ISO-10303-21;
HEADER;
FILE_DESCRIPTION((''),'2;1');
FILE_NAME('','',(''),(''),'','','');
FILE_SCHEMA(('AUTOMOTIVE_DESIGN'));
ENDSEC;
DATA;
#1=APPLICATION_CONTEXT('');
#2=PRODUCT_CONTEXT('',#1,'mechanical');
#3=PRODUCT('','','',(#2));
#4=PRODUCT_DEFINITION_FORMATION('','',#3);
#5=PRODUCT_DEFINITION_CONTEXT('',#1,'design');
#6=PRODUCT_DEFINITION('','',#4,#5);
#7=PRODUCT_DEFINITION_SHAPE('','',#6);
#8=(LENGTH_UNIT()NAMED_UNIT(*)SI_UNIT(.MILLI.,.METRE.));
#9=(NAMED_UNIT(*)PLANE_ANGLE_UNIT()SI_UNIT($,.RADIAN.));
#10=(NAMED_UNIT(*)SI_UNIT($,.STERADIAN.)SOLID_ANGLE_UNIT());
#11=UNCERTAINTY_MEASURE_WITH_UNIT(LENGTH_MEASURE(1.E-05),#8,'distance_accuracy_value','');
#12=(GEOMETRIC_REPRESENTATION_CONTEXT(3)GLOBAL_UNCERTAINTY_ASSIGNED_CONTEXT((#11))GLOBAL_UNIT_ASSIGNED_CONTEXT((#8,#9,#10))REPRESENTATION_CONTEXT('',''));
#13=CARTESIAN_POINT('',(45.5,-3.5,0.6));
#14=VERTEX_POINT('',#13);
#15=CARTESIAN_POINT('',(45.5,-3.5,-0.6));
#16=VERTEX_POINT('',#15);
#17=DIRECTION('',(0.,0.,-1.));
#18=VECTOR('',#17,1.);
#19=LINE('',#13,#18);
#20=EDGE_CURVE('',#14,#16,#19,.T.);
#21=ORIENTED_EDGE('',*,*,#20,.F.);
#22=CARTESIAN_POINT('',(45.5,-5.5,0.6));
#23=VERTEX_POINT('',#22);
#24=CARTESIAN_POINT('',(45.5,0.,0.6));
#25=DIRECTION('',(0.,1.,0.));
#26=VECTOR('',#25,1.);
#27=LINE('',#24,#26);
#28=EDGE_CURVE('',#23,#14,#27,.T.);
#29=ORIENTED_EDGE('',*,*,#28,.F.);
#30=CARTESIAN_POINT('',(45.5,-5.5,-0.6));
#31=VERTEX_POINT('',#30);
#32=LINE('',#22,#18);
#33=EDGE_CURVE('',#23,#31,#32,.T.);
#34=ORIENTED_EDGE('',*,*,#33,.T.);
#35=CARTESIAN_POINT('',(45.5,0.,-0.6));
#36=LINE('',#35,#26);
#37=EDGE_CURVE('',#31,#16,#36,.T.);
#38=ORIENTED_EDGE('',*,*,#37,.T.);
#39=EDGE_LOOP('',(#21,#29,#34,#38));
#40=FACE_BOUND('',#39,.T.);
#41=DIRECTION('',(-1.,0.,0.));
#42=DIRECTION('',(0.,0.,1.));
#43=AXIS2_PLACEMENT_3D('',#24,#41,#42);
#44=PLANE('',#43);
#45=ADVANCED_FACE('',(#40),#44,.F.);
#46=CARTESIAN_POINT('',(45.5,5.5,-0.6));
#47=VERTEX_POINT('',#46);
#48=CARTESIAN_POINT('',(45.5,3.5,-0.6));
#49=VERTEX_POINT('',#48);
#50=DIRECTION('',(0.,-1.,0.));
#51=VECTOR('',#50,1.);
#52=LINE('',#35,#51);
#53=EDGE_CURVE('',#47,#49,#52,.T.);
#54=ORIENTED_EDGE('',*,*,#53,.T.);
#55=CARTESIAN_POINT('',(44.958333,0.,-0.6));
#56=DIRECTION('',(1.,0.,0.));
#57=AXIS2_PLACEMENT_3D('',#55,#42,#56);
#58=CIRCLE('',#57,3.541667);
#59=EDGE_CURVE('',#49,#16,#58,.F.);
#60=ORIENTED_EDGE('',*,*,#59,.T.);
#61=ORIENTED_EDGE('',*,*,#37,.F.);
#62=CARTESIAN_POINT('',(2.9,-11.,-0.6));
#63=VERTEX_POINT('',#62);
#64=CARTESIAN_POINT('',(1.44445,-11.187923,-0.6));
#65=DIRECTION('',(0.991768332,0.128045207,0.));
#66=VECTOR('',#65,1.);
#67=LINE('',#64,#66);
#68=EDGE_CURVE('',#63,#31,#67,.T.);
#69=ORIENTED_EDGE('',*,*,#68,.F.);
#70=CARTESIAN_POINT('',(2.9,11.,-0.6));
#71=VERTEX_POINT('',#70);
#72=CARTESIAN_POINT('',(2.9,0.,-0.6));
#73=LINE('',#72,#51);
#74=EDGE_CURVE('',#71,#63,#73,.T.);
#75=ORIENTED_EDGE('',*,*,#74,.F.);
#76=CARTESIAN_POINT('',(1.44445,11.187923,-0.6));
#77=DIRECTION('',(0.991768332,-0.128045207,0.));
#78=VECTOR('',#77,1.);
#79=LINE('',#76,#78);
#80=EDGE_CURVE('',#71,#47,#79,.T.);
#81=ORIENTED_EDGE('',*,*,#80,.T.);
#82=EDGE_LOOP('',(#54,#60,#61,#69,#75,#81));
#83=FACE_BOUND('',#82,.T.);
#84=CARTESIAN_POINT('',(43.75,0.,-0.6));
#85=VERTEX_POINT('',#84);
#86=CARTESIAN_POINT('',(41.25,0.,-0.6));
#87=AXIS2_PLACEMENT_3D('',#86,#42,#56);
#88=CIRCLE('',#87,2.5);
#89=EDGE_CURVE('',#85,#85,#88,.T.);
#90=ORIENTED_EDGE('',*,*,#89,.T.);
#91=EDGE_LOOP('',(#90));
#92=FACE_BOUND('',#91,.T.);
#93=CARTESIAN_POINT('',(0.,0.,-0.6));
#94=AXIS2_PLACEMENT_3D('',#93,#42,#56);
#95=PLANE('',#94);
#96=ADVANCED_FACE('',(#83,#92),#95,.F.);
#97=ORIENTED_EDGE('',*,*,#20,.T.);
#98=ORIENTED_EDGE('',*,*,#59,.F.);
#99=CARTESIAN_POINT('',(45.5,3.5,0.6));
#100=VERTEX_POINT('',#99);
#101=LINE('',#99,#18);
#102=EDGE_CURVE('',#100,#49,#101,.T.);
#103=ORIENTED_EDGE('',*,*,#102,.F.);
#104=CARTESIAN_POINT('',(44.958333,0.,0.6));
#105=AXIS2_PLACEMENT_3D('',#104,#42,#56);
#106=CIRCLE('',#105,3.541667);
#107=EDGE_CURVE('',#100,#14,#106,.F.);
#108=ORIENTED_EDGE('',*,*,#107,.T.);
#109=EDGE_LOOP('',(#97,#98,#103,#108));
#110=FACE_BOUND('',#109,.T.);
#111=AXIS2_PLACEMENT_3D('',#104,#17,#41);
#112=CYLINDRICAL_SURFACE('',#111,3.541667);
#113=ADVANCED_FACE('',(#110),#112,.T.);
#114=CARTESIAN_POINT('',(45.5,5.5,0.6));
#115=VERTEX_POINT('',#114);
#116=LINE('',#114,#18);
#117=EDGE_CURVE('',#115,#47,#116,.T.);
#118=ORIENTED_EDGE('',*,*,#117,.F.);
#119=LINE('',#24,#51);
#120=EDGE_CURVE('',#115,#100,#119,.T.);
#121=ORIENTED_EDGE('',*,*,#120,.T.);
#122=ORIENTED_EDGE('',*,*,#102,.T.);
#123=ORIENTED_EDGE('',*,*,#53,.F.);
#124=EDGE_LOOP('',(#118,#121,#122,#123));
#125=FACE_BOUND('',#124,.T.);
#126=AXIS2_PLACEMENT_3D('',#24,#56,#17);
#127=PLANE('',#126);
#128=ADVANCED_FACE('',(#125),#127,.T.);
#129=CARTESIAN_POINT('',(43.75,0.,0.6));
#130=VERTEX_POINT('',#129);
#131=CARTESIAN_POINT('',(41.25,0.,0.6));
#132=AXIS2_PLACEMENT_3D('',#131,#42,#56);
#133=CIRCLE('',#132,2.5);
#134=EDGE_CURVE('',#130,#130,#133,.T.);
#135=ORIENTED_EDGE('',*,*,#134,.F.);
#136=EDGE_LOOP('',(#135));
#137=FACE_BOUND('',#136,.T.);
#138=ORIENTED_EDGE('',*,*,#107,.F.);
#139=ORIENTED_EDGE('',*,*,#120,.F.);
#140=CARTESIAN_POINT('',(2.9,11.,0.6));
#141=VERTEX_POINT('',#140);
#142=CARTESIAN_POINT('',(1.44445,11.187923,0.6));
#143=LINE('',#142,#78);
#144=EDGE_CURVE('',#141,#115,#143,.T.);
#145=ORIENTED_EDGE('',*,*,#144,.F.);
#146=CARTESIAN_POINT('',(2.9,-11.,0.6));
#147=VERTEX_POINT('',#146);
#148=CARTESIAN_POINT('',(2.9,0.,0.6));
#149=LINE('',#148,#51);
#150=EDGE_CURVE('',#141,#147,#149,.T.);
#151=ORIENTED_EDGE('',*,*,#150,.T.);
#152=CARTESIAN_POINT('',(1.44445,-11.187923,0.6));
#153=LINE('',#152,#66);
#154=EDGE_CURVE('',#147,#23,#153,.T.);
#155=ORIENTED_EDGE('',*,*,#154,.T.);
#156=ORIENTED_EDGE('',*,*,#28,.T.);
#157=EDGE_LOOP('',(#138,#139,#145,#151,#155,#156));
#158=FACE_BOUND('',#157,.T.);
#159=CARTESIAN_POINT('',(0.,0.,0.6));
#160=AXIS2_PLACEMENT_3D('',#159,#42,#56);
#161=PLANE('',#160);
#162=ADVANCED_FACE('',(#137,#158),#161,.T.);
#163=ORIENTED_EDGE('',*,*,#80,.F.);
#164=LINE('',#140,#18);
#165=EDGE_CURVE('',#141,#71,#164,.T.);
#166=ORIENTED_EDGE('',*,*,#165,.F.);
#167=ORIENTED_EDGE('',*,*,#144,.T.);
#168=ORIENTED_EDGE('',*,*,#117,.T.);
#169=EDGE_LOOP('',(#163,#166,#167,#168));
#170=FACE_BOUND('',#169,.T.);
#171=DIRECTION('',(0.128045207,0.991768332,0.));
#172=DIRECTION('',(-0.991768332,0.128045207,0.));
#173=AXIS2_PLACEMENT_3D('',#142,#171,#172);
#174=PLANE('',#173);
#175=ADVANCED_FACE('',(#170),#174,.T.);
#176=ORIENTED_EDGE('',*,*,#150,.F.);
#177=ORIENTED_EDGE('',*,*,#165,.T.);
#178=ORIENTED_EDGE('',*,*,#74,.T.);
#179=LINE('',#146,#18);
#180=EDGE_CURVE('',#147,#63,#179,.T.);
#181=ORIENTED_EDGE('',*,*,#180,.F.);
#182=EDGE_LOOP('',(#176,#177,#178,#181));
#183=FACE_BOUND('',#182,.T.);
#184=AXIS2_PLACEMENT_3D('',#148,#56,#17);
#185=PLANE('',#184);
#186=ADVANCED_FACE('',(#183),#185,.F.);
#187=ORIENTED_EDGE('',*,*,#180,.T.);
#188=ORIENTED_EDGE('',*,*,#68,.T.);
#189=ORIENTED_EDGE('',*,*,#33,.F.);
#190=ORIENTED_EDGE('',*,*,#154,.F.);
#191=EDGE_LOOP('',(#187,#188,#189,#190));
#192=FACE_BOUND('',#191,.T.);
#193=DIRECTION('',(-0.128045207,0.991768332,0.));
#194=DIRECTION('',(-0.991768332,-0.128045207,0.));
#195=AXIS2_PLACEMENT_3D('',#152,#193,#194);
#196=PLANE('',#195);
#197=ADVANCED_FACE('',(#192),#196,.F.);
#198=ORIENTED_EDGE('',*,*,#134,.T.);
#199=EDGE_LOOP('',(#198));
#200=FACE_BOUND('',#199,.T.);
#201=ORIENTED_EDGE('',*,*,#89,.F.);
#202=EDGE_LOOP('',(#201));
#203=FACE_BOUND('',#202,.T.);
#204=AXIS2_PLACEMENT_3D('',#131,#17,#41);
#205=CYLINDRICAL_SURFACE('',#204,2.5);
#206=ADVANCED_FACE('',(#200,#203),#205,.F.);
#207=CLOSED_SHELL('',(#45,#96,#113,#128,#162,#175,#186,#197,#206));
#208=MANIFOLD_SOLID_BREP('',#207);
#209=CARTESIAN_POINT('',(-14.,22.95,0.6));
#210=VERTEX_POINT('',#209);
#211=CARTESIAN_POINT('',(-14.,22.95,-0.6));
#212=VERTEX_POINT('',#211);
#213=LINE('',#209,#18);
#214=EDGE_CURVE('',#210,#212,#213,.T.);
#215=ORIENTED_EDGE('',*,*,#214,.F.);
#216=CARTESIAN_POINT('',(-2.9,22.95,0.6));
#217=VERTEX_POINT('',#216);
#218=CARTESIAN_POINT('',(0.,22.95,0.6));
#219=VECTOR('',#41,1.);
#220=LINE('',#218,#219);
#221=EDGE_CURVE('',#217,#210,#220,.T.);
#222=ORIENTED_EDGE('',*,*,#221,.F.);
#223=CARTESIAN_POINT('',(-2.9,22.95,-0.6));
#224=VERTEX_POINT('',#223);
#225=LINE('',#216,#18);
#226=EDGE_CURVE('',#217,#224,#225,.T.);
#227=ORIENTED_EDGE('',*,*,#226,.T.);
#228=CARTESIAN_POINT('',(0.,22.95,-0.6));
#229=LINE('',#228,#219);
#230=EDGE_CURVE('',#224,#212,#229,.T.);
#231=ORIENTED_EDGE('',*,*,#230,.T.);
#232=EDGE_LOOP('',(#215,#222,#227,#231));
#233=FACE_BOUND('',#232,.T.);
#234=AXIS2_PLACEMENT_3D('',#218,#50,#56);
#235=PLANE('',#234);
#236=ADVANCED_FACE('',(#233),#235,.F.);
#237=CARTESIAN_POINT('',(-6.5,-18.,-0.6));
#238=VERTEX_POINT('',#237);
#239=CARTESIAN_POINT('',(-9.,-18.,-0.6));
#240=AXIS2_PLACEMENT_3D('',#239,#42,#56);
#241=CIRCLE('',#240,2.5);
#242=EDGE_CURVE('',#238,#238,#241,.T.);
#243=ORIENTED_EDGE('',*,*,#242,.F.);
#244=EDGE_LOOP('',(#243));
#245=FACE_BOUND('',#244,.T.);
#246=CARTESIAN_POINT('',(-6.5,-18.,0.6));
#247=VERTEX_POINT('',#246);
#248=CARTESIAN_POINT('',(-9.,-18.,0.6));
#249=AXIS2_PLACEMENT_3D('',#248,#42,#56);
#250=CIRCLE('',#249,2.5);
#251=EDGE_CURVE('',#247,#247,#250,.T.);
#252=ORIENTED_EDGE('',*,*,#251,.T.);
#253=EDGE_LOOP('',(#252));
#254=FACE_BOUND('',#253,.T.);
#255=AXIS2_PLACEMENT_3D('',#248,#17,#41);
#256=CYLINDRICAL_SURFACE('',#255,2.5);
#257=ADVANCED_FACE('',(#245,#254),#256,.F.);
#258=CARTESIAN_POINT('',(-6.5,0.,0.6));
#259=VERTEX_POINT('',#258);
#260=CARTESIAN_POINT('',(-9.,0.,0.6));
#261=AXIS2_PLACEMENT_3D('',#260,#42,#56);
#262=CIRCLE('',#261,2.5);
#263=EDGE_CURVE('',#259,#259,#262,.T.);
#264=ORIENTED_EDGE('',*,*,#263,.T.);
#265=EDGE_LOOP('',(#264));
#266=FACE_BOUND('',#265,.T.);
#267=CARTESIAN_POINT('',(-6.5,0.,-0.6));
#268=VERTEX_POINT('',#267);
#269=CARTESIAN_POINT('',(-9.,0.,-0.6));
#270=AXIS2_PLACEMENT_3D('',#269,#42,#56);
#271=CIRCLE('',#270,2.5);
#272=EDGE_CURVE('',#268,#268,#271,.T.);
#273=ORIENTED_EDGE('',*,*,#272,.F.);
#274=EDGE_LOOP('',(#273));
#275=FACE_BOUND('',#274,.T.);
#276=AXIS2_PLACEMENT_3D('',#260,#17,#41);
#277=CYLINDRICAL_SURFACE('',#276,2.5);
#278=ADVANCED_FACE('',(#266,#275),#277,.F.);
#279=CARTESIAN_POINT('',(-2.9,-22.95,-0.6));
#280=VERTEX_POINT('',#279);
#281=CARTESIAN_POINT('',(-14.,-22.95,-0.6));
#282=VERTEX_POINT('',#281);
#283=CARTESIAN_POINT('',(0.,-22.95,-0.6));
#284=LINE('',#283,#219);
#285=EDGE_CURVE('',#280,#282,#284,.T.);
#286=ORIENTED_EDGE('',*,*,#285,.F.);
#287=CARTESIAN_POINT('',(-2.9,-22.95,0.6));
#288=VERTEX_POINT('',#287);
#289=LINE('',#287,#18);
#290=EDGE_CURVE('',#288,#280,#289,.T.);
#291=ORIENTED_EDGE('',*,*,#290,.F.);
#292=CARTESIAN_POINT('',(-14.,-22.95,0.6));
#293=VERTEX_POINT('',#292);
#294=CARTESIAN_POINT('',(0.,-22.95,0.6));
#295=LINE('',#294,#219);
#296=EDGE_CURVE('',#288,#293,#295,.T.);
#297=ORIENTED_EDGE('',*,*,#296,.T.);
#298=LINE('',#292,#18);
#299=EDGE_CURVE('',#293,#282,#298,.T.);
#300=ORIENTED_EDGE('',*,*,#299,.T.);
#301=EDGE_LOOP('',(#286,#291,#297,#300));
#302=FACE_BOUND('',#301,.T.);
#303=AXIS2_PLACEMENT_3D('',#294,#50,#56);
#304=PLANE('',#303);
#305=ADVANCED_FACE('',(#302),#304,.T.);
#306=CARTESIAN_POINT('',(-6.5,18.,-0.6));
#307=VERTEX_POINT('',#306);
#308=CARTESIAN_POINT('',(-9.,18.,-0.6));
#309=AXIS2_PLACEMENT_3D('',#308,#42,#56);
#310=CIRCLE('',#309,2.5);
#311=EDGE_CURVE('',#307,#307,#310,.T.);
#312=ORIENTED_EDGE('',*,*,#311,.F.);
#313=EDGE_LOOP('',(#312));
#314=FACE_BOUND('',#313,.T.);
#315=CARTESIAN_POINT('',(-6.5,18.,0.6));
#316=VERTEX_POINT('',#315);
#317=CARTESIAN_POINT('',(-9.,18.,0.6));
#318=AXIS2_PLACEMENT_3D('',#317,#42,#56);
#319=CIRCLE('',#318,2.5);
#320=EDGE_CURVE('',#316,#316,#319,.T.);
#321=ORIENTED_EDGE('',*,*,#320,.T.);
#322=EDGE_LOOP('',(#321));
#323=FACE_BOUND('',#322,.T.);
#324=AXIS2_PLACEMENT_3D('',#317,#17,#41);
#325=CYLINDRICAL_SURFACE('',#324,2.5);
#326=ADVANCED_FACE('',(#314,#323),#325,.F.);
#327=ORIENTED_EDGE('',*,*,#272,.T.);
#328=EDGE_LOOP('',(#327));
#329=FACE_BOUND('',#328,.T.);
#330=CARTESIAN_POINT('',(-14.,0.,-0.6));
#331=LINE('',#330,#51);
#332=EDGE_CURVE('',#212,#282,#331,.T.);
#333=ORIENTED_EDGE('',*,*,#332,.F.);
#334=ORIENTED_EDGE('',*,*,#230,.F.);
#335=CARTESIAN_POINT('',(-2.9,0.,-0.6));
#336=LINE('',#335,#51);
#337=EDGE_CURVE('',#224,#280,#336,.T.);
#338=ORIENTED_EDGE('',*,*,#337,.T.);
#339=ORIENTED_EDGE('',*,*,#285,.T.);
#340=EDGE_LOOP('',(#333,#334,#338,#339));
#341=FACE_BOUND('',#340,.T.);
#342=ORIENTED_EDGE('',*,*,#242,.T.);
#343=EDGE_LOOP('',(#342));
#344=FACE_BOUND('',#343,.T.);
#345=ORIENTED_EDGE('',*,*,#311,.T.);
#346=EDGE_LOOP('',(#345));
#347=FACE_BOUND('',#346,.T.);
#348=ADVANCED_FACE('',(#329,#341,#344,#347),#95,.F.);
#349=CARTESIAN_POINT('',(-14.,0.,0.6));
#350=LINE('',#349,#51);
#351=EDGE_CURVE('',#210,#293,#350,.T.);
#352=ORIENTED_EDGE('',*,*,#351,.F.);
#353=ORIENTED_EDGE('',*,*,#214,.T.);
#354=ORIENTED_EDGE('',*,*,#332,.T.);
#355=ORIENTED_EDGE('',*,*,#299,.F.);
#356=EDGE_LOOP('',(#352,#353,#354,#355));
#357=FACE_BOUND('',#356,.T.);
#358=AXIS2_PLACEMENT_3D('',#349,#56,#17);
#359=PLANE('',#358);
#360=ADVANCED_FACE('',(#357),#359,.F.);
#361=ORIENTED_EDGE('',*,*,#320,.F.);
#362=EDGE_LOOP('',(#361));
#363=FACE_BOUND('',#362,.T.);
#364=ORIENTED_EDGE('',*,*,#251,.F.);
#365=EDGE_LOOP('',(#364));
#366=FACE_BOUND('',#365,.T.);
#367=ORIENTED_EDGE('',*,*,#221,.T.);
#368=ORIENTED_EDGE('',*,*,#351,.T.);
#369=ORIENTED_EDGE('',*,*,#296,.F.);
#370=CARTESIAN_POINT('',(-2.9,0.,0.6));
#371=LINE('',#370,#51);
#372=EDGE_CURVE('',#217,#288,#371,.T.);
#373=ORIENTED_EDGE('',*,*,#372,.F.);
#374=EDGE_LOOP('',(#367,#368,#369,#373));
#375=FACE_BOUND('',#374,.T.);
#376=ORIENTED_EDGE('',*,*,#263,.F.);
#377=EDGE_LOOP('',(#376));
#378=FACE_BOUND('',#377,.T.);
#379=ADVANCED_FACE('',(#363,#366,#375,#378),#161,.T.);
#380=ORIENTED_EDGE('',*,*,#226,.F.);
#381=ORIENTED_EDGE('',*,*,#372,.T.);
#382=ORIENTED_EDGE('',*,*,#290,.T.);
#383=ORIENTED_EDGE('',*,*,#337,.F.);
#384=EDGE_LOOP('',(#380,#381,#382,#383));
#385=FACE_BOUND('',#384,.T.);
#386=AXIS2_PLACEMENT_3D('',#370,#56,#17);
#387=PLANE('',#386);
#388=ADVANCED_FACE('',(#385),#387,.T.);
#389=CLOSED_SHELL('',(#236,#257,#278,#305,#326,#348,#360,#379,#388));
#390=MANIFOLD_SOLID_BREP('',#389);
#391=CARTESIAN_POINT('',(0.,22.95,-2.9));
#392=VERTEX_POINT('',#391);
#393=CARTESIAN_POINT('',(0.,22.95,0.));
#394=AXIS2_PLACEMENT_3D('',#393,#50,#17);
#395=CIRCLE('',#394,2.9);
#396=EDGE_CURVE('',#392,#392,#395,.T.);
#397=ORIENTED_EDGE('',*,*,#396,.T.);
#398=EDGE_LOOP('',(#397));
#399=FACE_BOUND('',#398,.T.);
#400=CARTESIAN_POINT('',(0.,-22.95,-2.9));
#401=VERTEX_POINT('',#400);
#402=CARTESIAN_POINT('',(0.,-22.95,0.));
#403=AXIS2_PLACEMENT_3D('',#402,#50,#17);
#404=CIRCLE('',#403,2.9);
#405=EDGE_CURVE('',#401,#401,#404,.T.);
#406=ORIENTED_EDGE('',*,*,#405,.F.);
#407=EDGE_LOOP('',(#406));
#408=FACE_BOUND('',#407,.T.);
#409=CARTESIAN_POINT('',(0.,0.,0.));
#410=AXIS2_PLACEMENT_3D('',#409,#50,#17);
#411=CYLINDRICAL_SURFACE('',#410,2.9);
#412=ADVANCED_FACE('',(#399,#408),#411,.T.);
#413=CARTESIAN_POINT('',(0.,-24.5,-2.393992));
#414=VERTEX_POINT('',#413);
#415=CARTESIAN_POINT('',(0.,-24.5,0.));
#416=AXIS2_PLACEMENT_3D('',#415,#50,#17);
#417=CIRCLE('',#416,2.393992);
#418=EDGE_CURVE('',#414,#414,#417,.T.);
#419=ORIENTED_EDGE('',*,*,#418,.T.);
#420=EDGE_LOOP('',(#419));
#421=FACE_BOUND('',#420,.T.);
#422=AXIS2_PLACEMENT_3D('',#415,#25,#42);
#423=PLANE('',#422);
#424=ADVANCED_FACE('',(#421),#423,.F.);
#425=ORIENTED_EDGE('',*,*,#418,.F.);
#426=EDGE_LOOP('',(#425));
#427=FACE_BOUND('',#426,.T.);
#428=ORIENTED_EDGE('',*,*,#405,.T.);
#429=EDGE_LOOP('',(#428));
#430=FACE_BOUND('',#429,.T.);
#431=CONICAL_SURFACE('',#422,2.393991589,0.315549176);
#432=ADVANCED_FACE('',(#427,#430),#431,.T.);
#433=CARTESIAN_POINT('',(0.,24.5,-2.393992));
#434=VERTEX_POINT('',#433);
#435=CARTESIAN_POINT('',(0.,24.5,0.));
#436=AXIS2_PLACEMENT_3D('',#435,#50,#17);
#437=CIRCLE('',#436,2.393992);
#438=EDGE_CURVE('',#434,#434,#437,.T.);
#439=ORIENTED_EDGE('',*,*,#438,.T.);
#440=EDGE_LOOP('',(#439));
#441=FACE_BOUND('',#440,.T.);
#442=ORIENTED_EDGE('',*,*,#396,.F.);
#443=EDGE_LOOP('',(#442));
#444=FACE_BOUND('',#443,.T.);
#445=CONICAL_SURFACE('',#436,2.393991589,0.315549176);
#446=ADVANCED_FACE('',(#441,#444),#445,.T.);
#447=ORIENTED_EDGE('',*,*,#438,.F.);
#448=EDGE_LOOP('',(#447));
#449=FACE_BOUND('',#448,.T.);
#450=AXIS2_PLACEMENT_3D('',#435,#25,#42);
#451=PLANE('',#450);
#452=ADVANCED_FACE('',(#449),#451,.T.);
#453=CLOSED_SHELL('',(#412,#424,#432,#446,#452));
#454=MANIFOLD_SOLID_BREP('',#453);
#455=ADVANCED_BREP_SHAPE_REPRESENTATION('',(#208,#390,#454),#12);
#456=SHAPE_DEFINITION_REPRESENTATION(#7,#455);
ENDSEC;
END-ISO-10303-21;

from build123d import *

# Parameters (mm, degrees)
SKETCH1_R             = 2.5
BOSS_EXTRUDE1_DEPTH   = 0.6
SKETCH1_W             = 11.1
SKETCH1_H             = 45.9
BOSS_EXTRUDE1_2_DEPTH = 0.6


with BuildPart() as part:
    # Sketch1 → Boss-Extrude1 (new, symmetric)
    with BuildSketch(Plane.XY):
        with BuildLine():
            Line((45.5, 5.5), (2.9, 11))
            Line((2.9, 11), (2.9, -11))
            Line((2.9, -11), (45.5, -5.5))
            Line((45.5, -5.5), (45.5, -3.5))
            ThreePointArc((45.5, -3.5), (48.5, 0), (45.5, 3.5))
            Line((45.5, 3.5), (45.5, 5.5))
        make_face()
        with Locations((41.25, 0)):
            Circle(SKETCH1_R, mode=Mode.SUBTRACT)
    extrude(amount=BOSS_EXTRUDE1_DEPTH, both=True)


with BuildPart() as body_2:
    # Sketch1 → Boss-Extrude1 2 (new, symmetric)
    with BuildSketch(Plane.XY):
        with Locations((-8.45, 0)):
            Rectangle(SKETCH1_W, SKETCH1_H)
        with Locations((-9, -18)):
            Circle(SKETCH1_R, mode=Mode.SUBTRACT)
        with Locations((-9, 0)):
            Circle(SKETCH1_R, mode=Mode.SUBTRACT)
        with Locations((-9, 18)):
            Circle(SKETCH1_R, mode=Mode.SUBTRACT)
    extrude(amount=BOSS_EXTRUDE1_2_DEPTH, both=True)


with BuildPart() as body_3:
    # Sketch1<5> → Revolve1 (revolve)
    with BuildSketch(Plane.XY):
        Polygon((2.9, 22.95), (2.393991589, 24.5), (0, 24.5), (0, -24.5), (2.393991589, -24.5), (2.9, -22.95), (2.9, -11), (2.9, 11), align=None)
    revolve(axis=Axis((0, 0, 0), (0, 1, 0)))


solid = Compound([part.part, body_2.part, body_3.part])
